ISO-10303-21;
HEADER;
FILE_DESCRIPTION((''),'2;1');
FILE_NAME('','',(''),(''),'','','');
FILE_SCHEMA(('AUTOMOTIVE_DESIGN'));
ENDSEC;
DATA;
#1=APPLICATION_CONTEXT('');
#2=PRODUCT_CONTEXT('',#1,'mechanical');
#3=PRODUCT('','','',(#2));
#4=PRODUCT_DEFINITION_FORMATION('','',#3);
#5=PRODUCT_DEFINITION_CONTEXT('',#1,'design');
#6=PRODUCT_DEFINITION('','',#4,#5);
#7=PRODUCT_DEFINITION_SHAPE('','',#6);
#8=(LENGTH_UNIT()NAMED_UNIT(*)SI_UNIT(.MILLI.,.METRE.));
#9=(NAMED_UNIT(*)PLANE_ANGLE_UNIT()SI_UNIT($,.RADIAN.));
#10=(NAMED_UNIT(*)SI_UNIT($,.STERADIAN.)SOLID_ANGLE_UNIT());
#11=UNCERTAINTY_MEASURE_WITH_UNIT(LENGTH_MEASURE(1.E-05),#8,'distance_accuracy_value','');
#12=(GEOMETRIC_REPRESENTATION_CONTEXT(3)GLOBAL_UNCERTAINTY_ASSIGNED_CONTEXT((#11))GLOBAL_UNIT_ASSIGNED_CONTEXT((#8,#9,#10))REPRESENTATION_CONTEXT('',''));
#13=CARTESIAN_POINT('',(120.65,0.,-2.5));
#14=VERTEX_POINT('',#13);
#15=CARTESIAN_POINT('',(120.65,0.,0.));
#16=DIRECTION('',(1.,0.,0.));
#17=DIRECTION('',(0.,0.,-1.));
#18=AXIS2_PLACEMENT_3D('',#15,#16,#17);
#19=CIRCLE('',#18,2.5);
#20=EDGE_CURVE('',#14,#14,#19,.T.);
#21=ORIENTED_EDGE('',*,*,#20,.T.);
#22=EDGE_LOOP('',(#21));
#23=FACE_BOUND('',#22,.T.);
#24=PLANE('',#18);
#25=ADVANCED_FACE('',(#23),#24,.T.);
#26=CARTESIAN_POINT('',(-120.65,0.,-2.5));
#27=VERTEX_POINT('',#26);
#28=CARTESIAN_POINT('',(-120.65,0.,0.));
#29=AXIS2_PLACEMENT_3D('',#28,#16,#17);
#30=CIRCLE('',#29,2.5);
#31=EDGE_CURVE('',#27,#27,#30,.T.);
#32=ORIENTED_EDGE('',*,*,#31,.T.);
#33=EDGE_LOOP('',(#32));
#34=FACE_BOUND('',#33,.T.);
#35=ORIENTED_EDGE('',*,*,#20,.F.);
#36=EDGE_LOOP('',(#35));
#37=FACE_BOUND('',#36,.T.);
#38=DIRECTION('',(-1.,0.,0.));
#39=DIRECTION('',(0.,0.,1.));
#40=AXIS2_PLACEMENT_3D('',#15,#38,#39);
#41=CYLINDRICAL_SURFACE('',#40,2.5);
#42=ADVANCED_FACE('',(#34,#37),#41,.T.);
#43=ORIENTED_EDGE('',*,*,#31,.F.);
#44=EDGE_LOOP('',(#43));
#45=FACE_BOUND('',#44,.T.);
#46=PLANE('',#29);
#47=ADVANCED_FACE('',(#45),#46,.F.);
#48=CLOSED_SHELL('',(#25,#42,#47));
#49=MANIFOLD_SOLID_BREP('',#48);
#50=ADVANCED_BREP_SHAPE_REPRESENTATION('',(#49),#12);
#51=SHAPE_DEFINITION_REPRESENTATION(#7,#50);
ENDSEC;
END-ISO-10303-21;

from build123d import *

# Parameters (mm, degrees)
SKETCH1_R           = 2.5
BOSS_EXTRUDE1_DEPTH = 120.65


with BuildPart() as part:
    # Sketch1 → Boss-Extrude1 (new, symmetric)
    with BuildSketch(Plane(origin=(0, 0, 0), x_dir=(0, 0, -1), z_dir=(1, 0, 0))):
        Circle(SKETCH1_R)
    extrude(amount=BOSS_EXTRUDE1_DEPTH, both=True)


solid = part.part
